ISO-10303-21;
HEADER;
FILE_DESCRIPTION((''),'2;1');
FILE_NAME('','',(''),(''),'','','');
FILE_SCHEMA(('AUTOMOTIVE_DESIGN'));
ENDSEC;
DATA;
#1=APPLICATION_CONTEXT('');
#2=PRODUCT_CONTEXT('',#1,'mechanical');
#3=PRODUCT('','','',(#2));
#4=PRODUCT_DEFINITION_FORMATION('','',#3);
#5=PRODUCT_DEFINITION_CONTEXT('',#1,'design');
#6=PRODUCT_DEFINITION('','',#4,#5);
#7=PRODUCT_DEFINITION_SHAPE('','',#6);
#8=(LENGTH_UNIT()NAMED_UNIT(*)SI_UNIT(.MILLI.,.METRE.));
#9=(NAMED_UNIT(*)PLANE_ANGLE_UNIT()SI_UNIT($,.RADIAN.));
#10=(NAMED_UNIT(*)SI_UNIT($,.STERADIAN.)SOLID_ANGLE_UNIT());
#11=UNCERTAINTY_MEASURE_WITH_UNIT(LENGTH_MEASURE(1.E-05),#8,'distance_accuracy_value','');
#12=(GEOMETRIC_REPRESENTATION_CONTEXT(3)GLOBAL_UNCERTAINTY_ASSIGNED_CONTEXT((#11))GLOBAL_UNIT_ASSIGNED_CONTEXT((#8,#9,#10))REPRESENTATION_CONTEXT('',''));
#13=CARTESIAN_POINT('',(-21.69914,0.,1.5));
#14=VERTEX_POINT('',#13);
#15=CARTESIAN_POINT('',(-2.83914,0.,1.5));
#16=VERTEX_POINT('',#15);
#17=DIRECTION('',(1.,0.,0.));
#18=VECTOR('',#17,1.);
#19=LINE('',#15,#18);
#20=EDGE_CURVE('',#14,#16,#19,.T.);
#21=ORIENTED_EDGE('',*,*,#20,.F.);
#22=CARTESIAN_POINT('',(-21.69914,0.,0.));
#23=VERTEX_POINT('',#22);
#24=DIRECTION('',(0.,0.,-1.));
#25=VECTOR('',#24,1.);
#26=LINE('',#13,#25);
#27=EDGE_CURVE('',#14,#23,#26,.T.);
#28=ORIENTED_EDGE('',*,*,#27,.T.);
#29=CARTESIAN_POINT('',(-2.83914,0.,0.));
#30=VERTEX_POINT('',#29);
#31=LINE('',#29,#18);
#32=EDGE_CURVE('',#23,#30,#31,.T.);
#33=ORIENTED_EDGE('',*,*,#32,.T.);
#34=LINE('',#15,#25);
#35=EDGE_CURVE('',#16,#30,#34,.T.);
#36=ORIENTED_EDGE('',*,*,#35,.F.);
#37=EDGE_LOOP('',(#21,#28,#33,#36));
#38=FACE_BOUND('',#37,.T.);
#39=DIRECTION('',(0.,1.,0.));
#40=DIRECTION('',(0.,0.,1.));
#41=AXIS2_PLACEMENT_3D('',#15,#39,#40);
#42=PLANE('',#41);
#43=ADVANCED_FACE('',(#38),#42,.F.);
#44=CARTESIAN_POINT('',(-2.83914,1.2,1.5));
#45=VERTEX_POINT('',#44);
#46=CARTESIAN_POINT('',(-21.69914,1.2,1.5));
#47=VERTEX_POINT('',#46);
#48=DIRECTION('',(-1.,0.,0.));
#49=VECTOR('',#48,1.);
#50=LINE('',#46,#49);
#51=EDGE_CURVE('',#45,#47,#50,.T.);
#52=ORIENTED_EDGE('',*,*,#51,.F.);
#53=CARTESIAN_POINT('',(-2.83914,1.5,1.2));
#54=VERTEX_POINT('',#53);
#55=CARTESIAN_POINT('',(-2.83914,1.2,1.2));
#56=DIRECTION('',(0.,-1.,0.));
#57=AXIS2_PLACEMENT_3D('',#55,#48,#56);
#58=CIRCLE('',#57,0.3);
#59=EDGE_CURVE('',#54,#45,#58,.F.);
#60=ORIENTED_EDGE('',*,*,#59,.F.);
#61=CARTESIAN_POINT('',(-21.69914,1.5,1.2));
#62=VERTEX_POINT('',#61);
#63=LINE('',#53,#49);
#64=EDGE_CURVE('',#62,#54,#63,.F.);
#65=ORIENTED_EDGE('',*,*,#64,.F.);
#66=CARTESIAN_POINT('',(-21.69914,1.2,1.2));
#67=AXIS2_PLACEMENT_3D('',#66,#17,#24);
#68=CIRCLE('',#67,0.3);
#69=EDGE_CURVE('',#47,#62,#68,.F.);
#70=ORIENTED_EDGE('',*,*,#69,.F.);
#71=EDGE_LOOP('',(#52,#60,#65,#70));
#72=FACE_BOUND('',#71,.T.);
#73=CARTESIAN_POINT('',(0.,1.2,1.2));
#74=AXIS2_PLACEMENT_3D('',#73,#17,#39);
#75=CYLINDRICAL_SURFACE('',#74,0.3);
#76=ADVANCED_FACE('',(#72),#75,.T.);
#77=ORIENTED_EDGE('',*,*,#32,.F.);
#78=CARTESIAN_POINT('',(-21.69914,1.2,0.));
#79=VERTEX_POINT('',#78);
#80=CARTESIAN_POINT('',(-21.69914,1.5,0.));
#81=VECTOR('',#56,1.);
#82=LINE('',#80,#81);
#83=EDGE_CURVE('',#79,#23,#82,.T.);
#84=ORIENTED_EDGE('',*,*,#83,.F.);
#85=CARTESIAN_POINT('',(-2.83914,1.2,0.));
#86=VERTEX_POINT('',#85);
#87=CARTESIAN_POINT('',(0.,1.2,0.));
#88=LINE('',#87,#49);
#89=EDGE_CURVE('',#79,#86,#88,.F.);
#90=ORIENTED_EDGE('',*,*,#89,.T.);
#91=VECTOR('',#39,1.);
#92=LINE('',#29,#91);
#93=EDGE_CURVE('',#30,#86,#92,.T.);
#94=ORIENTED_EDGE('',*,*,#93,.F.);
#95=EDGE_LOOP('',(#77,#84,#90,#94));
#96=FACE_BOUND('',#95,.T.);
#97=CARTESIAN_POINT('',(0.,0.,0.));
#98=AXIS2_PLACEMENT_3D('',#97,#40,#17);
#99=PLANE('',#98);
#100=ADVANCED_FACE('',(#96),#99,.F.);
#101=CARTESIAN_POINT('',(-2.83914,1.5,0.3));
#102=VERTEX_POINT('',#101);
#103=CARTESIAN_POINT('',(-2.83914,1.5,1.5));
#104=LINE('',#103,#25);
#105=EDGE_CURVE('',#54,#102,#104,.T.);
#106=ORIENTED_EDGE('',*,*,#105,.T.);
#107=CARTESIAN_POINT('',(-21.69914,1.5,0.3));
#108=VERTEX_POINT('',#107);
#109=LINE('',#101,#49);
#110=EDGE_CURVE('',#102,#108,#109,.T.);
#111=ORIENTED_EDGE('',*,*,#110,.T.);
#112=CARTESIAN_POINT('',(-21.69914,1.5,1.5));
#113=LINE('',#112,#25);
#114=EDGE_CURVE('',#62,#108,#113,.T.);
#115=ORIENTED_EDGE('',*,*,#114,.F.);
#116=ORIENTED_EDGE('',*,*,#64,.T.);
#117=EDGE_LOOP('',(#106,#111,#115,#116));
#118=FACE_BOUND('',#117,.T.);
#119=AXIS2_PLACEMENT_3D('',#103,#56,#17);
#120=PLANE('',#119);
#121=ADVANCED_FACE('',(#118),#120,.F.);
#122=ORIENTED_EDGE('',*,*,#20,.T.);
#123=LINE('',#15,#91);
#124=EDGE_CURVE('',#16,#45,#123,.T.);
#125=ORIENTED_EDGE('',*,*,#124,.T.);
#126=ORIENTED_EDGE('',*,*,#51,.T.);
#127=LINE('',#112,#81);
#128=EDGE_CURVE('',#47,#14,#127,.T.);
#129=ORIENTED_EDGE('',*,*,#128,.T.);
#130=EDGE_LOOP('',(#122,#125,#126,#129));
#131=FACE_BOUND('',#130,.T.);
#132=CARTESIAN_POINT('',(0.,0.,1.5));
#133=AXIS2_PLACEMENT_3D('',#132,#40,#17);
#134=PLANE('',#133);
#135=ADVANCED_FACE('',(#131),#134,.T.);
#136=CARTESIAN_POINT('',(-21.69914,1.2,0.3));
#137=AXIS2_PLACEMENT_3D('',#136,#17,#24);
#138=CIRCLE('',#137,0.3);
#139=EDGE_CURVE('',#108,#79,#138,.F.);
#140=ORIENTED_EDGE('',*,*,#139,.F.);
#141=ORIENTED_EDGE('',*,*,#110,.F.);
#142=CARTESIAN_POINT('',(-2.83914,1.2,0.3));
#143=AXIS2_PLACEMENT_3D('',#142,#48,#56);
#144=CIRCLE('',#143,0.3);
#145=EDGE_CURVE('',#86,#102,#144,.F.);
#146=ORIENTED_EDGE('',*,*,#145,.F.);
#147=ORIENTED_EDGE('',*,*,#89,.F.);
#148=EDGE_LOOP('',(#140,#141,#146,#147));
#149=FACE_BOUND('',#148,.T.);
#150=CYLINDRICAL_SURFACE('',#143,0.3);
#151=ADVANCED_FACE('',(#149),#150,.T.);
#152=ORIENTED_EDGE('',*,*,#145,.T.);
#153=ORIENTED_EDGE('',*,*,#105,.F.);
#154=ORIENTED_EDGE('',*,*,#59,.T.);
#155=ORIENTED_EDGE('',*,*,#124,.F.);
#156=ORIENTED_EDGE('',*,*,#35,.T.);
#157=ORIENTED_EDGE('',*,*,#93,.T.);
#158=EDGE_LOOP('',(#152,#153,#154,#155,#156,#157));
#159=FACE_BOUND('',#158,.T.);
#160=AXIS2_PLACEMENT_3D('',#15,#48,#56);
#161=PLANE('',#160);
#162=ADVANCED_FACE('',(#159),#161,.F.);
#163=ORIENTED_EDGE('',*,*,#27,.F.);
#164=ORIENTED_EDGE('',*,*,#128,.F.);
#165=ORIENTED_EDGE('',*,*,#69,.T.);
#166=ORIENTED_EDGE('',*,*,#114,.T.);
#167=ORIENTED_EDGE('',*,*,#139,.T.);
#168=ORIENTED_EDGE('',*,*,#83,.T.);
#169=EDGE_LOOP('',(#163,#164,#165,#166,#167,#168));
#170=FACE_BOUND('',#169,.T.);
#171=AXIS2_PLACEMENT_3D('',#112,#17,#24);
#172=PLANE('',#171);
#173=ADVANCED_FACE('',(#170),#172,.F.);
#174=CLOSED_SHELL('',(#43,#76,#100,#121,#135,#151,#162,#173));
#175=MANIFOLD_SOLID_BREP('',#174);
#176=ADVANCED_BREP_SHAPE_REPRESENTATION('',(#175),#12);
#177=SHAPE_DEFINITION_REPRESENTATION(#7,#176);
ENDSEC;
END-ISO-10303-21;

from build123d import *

# Parameters (mm, degrees)
SKETCH1_W           = 18.86
SKETCH1_H           = 1.5
BOSS_EXTRUDE2_DEPTH = 1.5
FILLET3_R           = 0.3


with BuildPart() as part:
    # Sketch1 → Boss-Extrude2 (new body)
    with BuildSketch(Plane.XY):
        with Locations((-12.269139785, 0.75)):
            Rectangle(SKETCH1_W, SKETCH1_H)
    extrude(amount=BOSS_EXTRUDE2_DEPTH)

    # Fillet3
    fillet3_edges = [part.edges().sort_by_distance(p)[0] for p in [
        (-12.269139785, 1.5, 0),
        (-12.269139785, 1.5, 1.5),
    ]]
    fillet(fillet3_edges, radius=FILLET3_R)


solid = part.part
